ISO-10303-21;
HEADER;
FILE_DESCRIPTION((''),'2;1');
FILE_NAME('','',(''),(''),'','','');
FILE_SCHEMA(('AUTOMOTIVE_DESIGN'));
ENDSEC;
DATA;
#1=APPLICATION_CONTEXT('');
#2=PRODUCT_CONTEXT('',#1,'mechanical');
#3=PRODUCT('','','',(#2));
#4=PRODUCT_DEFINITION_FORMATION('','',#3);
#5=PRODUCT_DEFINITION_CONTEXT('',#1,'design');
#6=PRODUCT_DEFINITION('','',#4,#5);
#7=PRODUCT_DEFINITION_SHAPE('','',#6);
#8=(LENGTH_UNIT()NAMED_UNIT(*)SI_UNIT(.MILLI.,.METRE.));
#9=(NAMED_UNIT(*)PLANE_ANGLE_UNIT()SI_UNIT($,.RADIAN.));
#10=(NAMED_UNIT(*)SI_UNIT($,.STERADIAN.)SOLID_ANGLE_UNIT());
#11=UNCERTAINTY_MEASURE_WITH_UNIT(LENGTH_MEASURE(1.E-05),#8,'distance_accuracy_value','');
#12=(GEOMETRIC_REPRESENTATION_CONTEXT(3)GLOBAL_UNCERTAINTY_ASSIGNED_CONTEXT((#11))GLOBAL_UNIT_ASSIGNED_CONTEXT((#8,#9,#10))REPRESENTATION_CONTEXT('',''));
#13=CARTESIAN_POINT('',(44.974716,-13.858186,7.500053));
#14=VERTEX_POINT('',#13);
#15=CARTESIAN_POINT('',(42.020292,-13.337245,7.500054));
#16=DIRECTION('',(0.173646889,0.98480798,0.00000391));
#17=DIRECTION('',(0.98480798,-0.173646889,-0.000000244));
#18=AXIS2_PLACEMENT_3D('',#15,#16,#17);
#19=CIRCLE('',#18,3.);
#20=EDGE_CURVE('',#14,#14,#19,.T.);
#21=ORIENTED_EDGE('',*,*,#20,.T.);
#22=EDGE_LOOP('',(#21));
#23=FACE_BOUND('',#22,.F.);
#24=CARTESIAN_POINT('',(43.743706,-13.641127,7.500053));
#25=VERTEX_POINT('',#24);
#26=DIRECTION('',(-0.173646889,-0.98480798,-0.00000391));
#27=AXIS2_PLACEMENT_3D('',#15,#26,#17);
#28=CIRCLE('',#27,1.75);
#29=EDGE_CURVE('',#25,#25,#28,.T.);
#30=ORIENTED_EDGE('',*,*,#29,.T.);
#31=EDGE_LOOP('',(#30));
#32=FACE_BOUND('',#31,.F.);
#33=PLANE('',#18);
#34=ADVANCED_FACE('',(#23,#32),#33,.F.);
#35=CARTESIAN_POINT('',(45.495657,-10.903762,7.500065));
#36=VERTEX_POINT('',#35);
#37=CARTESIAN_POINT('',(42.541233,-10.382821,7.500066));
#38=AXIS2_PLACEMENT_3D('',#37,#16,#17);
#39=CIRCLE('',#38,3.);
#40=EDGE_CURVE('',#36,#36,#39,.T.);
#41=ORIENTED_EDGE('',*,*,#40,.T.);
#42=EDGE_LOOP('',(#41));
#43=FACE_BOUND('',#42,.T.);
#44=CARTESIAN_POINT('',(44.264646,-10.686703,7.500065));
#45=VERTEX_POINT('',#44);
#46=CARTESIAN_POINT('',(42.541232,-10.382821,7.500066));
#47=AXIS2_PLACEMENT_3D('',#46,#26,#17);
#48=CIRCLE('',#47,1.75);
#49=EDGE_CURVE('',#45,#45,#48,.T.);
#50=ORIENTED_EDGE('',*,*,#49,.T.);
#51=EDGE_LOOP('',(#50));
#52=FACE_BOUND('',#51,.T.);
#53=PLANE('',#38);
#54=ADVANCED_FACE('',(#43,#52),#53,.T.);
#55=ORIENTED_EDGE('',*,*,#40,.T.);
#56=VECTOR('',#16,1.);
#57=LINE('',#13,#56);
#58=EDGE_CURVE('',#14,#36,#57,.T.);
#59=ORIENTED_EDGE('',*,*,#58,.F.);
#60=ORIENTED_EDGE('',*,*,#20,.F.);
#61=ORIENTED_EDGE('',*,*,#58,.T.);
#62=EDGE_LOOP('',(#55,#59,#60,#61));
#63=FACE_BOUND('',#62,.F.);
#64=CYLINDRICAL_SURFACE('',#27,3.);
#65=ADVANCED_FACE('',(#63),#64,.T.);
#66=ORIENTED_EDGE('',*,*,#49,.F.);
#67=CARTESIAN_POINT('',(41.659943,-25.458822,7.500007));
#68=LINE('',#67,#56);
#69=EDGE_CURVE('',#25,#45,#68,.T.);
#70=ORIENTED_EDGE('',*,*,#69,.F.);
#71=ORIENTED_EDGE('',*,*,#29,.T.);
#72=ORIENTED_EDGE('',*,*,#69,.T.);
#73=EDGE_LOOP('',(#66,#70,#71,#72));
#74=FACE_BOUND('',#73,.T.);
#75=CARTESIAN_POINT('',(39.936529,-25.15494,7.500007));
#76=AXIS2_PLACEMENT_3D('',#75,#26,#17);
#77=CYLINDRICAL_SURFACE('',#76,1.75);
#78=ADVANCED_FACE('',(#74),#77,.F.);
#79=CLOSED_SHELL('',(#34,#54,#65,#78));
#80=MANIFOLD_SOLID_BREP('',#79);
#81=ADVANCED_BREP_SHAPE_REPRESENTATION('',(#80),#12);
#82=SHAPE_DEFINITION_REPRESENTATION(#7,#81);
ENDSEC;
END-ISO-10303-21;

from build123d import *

# Parameters (mm, degrees)
CYLINDER044_R               = 1.75
CYLINDER044_DEPTH           = 18
CYLINDER044_ROLL_ANGLE      = -89.999776
CYLINDER044_PITCH_ANGLE     = 1.4e-05
CYLINDER044_PLACEMENT_ANGLE = -9.999925
CYLINDER045_R               = 3
CYLINDER045_DEPTH           = 3
CYLINDER045_ROLL_ANGLE      = -89.999776
CYLINDER045_PITCH_ANGLE     = 1.4e-05
CYLINDER045_PLACEMENT_ANGLE = -9.999925


with BuildPart() as cylinder044:
    # Cylinder044 → Cylinder044 (new body)
    with BuildSketch(Plane.XY):
        Circle(CYLINDER044_R)
    extrude(amount=CYLINDER044_DEPTH)


with BuildPart() as cylinder044_1:
    # Cylinder044 roll: moved
    add(cylinder044.part.rotate(Axis((0, 0, 0), (1, 0, 0)), CYLINDER044_ROLL_ANGLE))


with BuildPart() as cylinder044_2:
    # Cylinder044 pitch: moved
    add(cylinder044_1.part.rotate(Axis((0, 0, 0), (0, 1, 0)), CYLINDER044_PITCH_ANGLE))


with BuildPart() as cylinder044_3:
    # Cylinder044 placement: moved
    add(cylinder044_2.part.moved(Location((39.936529, -25.15494, 7.500007))).rotate(Axis((39.936529, -25.15494, 7.500007), (0, 0, 1)), CYLINDER044_PLACEMENT_ANGLE))


with BuildPart() as cut037:
    # Cylinder045 → Cylinder045 (new body)
    with BuildSketch(Plane.XY):
        Circle(CYLINDER045_R)
    extrude(amount=CYLINDER045_DEPTH)


with BuildPart() as cut037_1:
    # Cylinder045 roll: moved
    add(cut037.part.rotate(Axis((0, 0, 0), (1, 0, 0)), CYLINDER045_ROLL_ANGLE))


with BuildPart() as cut037_2:
    # Cylinder045 pitch: moved
    add(cut037_1.part.rotate(Axis((0, 0, 0), (0, 1, 0)), CYLINDER045_PITCH_ANGLE))


with BuildPart() as cut037_3:
    # Cylinder045 placement: moved
    add(cut037_2.part.moved(Location((42.020292, -13.337245, 7.500054))).rotate(Axis((42.020292, -13.337245, 7.500054), (0, 0, 1)), CYLINDER045_PLACEMENT_ANGLE))

    # Cut037: cut Cylinder044
    add(cylinder044_3.part, mode=Mode.SUBTRACT)


solid = cut037_3.part
